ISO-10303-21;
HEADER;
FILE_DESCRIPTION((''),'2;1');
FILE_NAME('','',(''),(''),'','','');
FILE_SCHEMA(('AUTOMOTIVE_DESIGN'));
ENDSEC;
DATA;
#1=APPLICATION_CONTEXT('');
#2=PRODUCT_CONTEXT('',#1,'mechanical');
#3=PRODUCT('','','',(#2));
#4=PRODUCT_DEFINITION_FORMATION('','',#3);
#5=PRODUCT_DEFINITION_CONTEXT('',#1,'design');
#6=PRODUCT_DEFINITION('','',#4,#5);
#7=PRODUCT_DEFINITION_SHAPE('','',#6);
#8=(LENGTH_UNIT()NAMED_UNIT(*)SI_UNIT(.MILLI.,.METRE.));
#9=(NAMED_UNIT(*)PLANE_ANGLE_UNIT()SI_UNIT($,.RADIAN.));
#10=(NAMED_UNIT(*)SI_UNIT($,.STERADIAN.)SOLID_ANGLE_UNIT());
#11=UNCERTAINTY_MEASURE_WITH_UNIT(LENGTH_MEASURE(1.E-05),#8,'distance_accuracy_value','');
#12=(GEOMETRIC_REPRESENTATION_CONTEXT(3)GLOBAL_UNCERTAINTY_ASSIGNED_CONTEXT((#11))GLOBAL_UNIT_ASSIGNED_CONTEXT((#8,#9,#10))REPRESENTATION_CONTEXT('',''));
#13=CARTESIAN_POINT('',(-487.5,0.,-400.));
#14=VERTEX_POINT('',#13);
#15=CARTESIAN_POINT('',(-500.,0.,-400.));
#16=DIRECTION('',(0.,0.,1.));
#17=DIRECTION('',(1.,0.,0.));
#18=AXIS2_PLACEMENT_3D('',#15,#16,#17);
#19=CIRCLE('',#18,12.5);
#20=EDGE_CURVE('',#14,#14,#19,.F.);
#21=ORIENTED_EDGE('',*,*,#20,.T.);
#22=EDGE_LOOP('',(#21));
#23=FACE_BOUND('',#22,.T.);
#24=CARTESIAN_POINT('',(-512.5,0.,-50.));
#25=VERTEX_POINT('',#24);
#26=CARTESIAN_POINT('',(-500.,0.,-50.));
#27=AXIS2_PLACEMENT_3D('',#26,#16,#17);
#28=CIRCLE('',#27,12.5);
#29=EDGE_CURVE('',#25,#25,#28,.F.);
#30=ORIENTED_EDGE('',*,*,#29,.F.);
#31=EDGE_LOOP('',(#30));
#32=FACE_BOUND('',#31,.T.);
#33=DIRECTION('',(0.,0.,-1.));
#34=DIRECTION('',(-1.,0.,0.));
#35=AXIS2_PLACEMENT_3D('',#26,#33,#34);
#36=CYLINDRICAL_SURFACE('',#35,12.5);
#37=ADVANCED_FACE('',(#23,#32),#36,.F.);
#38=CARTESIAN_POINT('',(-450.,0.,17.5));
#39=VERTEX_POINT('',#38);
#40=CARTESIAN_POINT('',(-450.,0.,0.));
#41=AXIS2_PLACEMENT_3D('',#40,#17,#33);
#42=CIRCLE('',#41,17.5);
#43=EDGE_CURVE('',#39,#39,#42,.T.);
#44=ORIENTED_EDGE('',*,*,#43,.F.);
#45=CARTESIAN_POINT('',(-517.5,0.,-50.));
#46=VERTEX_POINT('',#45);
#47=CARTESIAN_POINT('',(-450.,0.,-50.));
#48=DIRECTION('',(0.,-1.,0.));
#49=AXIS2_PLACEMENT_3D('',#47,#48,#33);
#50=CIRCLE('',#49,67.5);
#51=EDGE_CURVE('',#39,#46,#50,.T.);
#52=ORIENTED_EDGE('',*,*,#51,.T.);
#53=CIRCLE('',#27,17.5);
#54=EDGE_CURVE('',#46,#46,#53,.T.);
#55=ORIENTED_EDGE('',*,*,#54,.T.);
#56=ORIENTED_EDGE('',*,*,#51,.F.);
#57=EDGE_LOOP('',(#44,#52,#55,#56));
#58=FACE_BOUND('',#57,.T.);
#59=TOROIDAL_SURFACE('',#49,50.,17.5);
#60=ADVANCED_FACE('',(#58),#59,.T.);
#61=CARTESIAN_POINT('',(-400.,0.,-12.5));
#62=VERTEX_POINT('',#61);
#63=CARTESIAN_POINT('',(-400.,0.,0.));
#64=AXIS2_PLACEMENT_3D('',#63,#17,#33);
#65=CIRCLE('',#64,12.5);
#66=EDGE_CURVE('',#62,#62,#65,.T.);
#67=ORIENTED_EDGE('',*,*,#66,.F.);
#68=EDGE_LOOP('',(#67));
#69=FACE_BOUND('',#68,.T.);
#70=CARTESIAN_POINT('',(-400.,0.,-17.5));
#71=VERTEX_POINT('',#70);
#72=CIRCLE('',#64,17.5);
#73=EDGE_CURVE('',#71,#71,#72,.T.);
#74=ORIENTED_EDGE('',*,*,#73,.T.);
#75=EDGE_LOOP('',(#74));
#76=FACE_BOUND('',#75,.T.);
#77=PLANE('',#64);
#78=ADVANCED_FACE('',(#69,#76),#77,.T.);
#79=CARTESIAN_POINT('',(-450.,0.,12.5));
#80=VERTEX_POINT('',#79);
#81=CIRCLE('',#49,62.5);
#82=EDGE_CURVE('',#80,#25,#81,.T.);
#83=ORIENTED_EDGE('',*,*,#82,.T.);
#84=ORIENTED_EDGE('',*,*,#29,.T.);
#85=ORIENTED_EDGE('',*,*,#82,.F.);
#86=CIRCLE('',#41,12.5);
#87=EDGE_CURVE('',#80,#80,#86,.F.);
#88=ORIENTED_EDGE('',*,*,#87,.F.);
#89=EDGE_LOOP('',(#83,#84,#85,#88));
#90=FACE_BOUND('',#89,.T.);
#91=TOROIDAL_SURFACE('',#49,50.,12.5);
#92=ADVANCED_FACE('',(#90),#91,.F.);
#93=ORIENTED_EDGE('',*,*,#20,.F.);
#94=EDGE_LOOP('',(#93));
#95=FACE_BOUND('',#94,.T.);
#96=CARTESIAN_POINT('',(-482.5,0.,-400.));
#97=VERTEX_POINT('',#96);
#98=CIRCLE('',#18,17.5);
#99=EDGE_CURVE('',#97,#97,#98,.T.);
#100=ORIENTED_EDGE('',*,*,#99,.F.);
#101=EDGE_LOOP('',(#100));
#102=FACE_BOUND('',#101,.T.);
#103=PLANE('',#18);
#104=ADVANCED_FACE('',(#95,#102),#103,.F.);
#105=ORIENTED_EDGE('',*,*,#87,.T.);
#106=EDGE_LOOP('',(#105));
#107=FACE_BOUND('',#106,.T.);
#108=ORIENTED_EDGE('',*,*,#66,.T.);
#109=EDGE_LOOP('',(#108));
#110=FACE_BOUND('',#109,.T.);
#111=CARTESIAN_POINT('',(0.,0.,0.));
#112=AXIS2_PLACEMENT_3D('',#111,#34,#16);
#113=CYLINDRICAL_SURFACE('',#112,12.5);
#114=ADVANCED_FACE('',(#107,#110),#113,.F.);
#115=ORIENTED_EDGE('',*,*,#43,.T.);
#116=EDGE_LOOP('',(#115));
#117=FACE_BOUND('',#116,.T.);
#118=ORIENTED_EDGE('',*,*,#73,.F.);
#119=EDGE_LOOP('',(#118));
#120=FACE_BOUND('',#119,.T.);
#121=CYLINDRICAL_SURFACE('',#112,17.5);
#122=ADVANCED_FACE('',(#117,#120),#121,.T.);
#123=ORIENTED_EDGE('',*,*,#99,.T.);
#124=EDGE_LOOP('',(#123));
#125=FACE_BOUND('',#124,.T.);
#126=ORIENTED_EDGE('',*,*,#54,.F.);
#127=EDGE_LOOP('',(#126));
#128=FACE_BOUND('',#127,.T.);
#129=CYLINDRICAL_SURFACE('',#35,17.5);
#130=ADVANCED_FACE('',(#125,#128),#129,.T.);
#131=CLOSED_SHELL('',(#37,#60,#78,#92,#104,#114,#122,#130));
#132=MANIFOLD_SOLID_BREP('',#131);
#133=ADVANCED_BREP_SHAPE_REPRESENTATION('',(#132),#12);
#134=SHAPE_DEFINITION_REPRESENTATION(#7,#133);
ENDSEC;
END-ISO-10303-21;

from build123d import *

# Parameters (mm, degrees)
SKETCH_1_R                      = 17.5
SKETCH_1_R_2                    = 12.5
CUT_EXTRUDE_3_REACH             = 483.521
SKETCH_3_R                      = 17.5
SKETCH_3_R_2                    = 12.5
CUT_EXTRUDE_3_DIRECTION_2_DEPTH = 150


with BuildPart() as part:
    # 扫描1: sweep along a path in 草图2
    with BuildLine(Plane(origin=(0, 0, 0), x_dir=(1, 0, 0), z_dir=(0, 1, 0))) as sweep_1_path:
        Line((0, 0), (-450, 0))
        ThreePointArc((-450, 0), (-485.355339059, 14.644660941), (-500, 50))
        Line((-500, 50), (-500, 400))
    # 草图1 → 扫描1 (sweep)
    with BuildSketch(Plane(origin=(0, 0, 0), x_dir=(0, 0, -1), z_dir=(1, 0, 0))):
        Circle(SKETCH_1_R)
        Circle(SKETCH_1_R_2, mode=Mode.SUBTRACT)
    sweep(path=sweep_1_path.line)

    # 草图3 → 切除-拉伸3 (cut, up to next)
    with BuildSketch(Plane(origin=(-250, 0, 0), x_dir=(0, 0, -1), z_dir=(1, 0, 0)), mode=Mode.PRIVATE) as cut_extrude_3_sk1:
        Circle(SKETCH_3_R)
        Circle(SKETCH_3_R_2, mode=Mode.SUBTRACT)
    cut_extrude_3_tool1 = extrude(cut_extrude_3_sk1.sketch, amount=CUT_EXTRUDE_3_REACH, mode=Mode.PRIVATE) & part.part
    add(cut_extrude_3_tool1.solids().sort_by_distance((-250, 0, 17.005025))[0], mode=Mode.SUBTRACT)

    # 草图3 → 切除-拉伸3 direction 2 (cut)
    with BuildSketch(Plane(origin=(-250, 0, 0), x_dir=(0, 0, -1), z_dir=(1, 0, 0))):
        Circle(SKETCH_3_R)
        Circle(SKETCH_3_R_2, mode=Mode.SUBTRACT)
    extrude(amount=-CUT_EXTRUDE_3_DIRECTION_2_DEPTH, mode=Mode.SUBTRACT)


solid = part.part
